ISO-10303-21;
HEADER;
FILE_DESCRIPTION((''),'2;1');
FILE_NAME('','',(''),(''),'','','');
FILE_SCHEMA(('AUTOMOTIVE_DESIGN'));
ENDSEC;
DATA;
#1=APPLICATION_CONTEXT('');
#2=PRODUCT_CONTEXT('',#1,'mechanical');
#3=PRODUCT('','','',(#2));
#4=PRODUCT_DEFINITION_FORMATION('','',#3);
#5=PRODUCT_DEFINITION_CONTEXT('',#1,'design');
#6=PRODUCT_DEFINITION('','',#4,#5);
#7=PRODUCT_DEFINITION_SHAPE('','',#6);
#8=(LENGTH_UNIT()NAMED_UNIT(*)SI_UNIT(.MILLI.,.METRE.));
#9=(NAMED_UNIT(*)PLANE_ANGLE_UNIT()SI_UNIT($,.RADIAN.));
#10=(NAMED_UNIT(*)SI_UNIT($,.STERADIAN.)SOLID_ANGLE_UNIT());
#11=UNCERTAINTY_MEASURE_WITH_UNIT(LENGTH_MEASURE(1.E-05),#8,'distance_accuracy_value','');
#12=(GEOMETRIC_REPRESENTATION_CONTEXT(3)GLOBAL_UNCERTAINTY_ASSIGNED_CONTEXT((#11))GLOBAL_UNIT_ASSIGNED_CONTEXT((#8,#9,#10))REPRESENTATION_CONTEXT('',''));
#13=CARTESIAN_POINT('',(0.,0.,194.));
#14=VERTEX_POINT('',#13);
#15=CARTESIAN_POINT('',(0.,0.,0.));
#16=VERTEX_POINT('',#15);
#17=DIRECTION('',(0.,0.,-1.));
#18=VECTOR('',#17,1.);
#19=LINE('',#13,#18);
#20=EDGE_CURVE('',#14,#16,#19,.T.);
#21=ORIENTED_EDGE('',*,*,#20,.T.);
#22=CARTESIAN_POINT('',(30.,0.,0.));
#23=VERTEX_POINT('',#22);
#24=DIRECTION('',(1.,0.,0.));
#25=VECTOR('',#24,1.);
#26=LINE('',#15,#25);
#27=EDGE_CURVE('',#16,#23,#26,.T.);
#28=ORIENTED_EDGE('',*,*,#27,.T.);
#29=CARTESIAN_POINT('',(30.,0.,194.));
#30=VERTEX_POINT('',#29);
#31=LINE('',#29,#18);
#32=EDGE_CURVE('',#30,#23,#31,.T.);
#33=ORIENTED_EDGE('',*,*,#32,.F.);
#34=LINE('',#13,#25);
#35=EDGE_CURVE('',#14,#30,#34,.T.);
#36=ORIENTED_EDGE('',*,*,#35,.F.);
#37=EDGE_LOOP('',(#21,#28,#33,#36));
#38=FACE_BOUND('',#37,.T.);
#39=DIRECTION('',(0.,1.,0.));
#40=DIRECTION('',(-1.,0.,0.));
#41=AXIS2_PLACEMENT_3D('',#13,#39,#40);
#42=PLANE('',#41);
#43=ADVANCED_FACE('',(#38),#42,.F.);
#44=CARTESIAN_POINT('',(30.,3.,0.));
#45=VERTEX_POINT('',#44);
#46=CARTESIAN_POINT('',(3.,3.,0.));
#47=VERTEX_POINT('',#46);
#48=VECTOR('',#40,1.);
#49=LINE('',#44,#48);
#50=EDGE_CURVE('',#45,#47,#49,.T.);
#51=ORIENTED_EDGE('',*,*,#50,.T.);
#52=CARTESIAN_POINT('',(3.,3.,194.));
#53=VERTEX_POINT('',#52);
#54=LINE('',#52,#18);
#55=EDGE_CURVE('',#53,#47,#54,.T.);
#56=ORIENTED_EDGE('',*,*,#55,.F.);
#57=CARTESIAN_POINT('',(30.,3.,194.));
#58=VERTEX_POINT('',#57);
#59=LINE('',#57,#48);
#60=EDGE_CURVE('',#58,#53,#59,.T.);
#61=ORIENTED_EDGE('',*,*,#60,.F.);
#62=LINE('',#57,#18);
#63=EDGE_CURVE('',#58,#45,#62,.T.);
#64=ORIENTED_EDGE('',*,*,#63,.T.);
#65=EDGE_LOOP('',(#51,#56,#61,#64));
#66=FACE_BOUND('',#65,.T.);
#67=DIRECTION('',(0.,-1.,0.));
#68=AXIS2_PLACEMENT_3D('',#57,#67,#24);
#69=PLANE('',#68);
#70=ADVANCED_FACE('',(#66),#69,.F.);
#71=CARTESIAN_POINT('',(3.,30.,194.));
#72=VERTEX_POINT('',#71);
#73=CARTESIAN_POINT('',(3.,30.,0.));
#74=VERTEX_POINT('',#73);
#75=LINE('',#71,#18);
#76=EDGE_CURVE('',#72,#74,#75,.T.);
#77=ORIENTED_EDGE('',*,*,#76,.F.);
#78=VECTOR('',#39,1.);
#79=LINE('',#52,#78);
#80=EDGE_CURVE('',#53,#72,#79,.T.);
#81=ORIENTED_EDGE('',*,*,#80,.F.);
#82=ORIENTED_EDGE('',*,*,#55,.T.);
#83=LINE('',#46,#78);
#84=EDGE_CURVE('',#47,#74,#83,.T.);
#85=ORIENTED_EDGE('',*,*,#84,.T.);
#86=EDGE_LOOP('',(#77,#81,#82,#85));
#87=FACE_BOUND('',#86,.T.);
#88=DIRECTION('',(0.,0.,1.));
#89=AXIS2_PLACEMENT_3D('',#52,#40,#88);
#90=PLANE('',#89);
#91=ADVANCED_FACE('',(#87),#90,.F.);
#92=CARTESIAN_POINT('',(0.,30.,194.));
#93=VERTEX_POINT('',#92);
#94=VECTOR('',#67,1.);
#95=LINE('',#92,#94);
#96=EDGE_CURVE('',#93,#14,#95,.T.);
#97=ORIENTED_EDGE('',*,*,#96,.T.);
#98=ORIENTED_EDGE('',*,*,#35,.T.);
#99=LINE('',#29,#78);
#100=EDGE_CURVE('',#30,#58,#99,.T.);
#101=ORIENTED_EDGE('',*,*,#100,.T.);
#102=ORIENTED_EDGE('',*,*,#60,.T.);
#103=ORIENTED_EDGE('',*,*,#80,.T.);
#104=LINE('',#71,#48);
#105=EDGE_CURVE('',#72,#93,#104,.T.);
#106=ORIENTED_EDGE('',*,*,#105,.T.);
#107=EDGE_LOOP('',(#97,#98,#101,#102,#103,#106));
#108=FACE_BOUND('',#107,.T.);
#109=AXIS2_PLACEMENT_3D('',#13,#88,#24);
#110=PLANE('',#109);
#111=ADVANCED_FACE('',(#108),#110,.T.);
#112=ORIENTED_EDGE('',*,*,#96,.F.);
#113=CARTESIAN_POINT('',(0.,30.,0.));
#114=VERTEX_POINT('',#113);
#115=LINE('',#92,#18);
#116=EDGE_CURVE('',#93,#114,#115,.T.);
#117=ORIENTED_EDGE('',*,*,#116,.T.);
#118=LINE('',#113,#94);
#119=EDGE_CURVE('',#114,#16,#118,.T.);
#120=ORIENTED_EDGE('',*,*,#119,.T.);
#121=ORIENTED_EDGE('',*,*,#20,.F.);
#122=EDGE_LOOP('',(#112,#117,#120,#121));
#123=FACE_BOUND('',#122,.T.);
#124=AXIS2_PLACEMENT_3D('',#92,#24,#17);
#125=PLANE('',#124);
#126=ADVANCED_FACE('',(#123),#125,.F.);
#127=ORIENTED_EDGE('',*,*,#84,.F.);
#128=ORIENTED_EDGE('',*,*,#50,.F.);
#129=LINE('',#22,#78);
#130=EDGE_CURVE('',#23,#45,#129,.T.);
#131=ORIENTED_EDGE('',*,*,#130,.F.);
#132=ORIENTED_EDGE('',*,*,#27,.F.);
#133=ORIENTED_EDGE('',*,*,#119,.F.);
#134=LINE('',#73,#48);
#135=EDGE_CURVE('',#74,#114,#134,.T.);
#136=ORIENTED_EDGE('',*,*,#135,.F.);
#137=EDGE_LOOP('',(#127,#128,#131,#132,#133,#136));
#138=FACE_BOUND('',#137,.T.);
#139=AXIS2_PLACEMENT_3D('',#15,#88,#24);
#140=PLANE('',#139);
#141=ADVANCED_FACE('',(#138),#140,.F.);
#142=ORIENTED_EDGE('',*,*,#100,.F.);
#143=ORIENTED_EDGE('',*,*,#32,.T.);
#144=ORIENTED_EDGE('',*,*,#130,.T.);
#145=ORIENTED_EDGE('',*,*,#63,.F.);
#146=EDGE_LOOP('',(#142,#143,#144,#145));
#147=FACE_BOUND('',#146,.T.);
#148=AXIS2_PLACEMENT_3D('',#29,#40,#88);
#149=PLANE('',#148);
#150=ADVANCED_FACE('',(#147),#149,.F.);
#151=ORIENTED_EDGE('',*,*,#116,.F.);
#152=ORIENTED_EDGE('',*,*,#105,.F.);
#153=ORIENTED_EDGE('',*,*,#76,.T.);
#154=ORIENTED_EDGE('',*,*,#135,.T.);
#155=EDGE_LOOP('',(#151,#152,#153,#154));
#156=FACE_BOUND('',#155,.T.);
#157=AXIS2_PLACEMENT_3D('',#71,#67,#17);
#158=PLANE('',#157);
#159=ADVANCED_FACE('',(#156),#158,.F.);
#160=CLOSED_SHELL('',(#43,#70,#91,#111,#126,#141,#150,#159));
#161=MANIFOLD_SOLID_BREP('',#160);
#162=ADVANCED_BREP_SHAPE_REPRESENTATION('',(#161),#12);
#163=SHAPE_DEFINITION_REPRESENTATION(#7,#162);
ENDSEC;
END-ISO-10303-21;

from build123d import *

# Parameters (mm, degrees)
ESTRUSIONE_ESTRUSIONE1_DEPTH = 194


with BuildPart() as part:
    # Schizzo1 → Estrusione-Estrusione1 (new body)
    with BuildSketch(Plane.XY):
        Polygon((0, 0), (30, 0), (30, 3), (3, 3), (3, 30), (0, 30), align=None)
    extrude(amount=ESTRUSIONE_ESTRUSIONE1_DEPTH)


solid = part.part
